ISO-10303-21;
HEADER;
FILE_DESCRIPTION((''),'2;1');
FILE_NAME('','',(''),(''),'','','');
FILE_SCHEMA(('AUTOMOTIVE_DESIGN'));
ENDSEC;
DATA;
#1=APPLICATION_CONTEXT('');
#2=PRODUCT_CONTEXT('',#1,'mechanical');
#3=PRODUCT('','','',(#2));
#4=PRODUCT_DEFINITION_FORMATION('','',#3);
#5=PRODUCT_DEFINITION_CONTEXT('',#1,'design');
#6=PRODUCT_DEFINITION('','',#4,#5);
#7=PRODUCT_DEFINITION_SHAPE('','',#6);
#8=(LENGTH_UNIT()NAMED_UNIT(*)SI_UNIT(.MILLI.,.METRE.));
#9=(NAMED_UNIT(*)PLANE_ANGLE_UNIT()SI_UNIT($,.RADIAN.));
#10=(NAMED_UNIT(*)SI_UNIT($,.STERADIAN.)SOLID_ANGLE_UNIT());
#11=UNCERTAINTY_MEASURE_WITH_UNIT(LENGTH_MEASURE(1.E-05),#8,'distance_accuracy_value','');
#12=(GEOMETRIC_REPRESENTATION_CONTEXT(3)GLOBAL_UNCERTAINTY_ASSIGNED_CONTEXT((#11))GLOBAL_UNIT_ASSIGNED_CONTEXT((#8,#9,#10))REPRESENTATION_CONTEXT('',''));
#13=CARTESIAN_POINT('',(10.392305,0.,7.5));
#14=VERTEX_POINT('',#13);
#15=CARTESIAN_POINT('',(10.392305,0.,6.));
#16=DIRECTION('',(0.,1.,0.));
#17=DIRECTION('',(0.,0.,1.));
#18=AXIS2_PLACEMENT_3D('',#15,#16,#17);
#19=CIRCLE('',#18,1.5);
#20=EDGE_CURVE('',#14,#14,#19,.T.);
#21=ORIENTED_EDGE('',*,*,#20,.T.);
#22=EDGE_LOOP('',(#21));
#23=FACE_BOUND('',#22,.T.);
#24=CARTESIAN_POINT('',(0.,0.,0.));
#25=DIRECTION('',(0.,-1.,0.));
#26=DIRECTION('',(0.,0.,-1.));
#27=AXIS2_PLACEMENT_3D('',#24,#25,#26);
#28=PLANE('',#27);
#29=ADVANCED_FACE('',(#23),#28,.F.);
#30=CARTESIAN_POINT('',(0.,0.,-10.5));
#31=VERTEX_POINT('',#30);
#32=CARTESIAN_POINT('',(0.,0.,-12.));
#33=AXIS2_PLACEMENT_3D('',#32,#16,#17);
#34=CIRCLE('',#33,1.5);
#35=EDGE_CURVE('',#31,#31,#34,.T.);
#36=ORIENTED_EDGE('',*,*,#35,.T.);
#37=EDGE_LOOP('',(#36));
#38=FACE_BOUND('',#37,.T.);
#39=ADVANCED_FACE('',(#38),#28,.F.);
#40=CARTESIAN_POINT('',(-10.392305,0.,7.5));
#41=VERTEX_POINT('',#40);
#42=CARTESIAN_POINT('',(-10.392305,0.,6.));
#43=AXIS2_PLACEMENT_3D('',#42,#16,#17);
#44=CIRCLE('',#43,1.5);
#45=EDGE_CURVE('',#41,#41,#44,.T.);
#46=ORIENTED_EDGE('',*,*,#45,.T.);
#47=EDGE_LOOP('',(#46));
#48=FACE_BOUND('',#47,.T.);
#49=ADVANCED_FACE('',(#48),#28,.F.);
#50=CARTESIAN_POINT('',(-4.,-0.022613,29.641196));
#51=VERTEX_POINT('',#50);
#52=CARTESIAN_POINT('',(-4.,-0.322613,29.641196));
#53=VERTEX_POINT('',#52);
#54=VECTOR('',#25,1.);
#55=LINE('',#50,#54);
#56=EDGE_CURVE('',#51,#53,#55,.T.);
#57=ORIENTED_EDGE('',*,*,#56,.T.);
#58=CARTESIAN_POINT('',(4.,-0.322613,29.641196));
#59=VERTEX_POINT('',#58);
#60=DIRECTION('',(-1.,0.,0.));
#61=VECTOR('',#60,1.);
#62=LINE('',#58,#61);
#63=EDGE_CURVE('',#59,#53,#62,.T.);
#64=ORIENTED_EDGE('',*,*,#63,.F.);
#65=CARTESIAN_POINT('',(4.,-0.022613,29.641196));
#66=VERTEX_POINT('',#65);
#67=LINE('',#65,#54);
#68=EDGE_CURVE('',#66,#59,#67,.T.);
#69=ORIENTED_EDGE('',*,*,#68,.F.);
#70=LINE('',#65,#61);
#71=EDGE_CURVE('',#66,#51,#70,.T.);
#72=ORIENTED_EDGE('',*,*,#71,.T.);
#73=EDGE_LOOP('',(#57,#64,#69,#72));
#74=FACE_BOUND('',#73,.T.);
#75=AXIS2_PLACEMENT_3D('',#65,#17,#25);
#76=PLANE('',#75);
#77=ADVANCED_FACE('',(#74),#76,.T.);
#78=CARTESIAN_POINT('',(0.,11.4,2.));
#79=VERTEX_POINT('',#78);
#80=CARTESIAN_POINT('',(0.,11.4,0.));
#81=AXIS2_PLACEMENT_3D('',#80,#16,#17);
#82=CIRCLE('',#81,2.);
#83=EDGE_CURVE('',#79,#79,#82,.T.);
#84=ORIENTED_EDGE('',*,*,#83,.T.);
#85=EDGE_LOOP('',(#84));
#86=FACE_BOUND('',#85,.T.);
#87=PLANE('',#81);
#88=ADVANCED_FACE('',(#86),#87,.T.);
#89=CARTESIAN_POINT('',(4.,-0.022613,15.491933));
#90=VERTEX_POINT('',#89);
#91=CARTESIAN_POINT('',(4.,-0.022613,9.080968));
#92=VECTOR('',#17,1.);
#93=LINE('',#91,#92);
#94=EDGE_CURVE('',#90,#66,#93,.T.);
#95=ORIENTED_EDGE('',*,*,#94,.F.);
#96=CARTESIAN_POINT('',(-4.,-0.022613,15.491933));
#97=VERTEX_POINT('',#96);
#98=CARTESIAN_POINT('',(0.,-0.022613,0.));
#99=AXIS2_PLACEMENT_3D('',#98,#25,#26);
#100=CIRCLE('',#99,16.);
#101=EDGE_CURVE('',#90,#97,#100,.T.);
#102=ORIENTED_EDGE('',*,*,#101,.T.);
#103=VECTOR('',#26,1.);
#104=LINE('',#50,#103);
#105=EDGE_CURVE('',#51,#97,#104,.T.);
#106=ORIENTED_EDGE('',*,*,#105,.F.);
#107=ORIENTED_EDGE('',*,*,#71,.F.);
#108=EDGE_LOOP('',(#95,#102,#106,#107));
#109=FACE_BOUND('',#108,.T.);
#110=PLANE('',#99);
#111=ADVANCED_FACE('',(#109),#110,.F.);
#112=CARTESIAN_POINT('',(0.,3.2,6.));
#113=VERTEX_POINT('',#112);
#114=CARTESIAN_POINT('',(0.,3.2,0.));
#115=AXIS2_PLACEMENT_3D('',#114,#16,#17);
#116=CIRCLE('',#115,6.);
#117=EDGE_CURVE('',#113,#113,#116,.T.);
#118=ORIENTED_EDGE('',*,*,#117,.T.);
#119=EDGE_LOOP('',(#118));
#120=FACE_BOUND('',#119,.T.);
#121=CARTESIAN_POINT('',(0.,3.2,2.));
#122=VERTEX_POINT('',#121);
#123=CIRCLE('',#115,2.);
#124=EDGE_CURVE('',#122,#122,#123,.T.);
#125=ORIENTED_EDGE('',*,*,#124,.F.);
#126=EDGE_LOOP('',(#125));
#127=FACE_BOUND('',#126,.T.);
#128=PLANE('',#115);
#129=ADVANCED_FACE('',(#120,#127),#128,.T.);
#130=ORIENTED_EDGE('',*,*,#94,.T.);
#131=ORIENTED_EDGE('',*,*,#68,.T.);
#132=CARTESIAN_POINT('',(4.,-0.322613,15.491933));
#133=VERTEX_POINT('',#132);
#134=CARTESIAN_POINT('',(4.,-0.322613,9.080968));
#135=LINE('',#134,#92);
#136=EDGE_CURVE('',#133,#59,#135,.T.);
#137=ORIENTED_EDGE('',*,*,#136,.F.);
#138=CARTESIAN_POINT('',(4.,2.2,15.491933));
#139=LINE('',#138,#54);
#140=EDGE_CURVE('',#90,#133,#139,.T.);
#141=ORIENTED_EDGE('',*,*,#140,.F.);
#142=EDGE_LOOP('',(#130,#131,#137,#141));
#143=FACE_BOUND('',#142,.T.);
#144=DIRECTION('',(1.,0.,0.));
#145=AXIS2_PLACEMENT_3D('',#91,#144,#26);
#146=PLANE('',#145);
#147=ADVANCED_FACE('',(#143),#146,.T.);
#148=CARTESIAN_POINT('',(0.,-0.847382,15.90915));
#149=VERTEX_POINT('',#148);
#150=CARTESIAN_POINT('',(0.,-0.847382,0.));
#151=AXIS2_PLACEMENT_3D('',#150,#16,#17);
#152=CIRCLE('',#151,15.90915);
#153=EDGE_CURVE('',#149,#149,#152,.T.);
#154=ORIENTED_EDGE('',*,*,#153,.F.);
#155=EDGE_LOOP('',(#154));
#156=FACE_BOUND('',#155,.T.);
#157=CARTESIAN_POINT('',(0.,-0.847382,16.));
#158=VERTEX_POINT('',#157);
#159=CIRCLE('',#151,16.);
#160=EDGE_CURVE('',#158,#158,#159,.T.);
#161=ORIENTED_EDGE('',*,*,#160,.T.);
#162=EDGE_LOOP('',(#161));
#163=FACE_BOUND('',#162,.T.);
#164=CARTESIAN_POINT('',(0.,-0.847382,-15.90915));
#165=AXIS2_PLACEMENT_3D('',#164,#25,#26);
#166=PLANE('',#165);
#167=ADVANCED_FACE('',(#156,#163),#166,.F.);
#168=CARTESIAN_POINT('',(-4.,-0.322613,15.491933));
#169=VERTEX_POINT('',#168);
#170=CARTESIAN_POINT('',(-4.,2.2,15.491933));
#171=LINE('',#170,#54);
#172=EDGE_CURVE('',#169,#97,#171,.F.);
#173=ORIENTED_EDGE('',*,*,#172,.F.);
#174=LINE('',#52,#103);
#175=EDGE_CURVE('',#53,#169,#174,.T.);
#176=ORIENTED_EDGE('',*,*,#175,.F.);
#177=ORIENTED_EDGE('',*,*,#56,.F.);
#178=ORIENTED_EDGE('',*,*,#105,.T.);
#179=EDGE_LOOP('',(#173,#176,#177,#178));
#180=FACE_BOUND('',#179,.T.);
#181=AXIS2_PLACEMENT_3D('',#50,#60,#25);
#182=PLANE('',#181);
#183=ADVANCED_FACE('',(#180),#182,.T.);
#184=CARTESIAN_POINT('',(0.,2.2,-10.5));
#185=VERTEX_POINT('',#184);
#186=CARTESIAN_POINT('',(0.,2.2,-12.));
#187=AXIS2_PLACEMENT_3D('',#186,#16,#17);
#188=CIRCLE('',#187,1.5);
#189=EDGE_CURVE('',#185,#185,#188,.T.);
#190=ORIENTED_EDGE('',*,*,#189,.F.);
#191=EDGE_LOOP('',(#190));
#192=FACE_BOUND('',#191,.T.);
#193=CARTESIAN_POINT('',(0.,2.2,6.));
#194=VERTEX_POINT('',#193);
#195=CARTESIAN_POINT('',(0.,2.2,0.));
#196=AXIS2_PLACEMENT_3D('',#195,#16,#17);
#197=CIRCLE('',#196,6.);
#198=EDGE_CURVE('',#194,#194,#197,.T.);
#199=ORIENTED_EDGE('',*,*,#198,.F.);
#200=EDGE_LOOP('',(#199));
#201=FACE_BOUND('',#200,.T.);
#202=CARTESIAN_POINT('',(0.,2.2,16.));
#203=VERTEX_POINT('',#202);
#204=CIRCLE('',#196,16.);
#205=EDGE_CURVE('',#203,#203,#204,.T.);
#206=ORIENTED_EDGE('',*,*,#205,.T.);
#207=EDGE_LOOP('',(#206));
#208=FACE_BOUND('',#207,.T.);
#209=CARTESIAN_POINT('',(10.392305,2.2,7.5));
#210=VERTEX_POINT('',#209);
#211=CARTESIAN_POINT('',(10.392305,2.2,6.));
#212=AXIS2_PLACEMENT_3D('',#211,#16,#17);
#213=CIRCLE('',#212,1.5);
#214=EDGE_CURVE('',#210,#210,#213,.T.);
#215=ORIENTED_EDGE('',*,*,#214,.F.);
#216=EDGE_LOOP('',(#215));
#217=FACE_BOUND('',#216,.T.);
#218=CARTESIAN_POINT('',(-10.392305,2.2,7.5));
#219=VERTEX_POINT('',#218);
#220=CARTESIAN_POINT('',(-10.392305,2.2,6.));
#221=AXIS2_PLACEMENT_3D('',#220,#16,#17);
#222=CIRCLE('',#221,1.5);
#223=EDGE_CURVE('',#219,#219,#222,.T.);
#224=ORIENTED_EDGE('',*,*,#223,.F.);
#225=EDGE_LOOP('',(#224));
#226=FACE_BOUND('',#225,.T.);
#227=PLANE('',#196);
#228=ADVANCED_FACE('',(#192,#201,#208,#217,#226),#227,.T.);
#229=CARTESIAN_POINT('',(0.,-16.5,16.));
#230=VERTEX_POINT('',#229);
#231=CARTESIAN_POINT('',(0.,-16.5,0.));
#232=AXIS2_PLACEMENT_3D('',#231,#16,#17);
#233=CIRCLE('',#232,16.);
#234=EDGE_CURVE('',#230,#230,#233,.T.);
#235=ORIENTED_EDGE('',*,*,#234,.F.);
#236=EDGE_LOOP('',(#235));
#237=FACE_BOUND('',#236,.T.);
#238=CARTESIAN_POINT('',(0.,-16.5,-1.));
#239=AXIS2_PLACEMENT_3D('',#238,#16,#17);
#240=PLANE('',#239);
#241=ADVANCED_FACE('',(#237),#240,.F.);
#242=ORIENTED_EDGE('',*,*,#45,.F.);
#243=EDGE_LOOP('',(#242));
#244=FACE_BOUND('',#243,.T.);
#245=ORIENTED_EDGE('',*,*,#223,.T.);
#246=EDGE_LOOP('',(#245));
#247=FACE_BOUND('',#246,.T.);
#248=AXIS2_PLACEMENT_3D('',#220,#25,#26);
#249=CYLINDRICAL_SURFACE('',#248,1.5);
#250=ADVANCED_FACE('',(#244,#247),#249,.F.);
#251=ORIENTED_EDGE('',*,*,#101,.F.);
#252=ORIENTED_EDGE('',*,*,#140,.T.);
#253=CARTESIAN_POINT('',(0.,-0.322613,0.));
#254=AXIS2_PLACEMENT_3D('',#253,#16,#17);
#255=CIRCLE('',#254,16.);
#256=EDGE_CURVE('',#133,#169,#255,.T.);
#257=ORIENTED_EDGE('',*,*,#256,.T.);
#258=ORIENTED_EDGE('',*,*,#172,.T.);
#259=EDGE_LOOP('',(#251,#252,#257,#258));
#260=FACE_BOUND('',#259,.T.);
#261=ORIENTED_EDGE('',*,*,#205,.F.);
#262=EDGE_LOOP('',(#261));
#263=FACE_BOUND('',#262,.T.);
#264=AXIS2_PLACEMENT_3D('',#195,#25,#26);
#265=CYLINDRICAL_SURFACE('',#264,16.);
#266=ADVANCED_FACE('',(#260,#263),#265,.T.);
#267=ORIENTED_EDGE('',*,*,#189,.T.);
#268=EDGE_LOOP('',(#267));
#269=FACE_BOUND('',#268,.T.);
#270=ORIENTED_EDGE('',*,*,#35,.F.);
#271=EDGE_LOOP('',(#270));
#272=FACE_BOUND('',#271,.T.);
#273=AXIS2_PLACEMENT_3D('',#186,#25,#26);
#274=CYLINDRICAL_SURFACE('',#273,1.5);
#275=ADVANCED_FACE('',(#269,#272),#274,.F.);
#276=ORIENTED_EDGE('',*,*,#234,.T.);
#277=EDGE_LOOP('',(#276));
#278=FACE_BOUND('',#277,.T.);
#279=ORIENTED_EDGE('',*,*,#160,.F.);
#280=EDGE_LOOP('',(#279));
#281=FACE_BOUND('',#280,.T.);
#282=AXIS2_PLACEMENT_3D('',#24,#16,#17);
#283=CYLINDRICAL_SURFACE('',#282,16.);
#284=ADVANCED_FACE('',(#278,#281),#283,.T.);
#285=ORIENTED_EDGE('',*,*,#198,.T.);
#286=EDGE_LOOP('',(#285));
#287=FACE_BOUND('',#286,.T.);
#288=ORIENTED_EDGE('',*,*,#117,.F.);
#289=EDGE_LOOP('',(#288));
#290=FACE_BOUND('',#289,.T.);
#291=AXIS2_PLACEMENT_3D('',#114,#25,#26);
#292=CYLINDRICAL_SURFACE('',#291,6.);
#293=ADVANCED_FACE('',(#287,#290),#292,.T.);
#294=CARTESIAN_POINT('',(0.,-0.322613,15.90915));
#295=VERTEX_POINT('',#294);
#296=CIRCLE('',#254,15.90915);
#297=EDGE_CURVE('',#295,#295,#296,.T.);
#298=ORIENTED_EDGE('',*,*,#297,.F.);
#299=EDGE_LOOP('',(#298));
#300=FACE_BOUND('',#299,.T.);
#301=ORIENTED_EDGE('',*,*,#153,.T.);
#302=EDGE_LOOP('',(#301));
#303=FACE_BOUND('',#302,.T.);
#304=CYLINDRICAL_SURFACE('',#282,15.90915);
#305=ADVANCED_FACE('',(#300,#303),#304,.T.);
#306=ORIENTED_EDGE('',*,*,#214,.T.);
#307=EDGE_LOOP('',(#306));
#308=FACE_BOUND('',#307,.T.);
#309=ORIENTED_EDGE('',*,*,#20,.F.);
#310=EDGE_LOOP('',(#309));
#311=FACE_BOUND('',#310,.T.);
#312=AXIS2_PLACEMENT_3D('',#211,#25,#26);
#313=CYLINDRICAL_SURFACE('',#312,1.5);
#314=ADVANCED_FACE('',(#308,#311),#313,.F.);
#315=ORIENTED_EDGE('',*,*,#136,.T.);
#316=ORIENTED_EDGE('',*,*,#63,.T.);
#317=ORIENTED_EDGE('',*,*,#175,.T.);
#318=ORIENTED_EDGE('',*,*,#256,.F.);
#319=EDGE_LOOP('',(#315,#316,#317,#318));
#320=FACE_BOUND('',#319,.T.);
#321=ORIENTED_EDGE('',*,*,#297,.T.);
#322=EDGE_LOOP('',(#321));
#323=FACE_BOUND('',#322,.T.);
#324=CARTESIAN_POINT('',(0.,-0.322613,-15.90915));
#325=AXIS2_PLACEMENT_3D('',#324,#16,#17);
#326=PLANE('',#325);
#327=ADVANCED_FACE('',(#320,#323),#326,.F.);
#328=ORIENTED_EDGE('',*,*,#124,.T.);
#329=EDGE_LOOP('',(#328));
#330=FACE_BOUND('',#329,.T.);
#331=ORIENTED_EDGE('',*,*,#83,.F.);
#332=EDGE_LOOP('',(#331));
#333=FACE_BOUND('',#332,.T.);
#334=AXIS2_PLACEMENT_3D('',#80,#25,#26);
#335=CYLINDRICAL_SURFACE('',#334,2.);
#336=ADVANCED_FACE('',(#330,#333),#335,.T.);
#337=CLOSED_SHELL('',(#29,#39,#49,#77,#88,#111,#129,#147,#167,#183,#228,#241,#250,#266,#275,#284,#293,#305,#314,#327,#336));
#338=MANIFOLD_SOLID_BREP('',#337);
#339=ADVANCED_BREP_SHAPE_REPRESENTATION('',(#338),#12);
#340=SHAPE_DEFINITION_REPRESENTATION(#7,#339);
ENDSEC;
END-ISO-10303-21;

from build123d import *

# Parameters (mm, degrees)
CROQUIS1_R              = 16
CROQUIS1_R_2            = 1.5
CROQUIS1_R_3            = 6
SALIENTE_EXTRUIR1_DEPTH = 2.2
CROQUIS1_3_R            = 6
CROQUIS1_3_R_2          = 2
SALIENTE_EXTRUIR2_DEPTH = 3.2
CROQUIS1_4_R            = 2
SALIENTE_EXTRUIR3_DEPTH = 11.4
CROQUIS5_W              = 8
CROQUIS5_H              = 20.560227787
SALIENTE_EXTRUIR4_DEPTH = 0.3


with BuildPart() as part:
    # Croquis1 → Saliente-Extruir1 (new body)
    with BuildSketch(Plane(origin=(0, 0, 0), x_dir=(1, 0, 0), z_dir=(0, 1, 0))):
        Circle(CROQUIS1_R)
        with Locations((0, 12)):
            Circle(CROQUIS1_R_2, mode=Mode.SUBTRACT)
        with Locations((-10.392304845, -6)):
            Circle(CROQUIS1_R_2, mode=Mode.SUBTRACT)
        with Locations((10.392304845, -6)):
            Circle(CROQUIS1_R_2, mode=Mode.SUBTRACT)
        Circle(CROQUIS1_R_3, mode=Mode.SUBTRACT)
    extrude(amount=SALIENTE_EXTRUIR1_DEPTH)



with BuildPart() as body_2:
    # Croquis1<3> → Saliente-Extruir2 (new body)
    with BuildSketch(Plane(origin=(0, 0, 0), x_dir=(1, 0, 0), z_dir=(0, 1, 0))):
        Circle(CROQUIS1_3_R)
        Circle(CROQUIS1_3_R_2, mode=Mode.SUBTRACT)
    extrude(amount=SALIENTE_EXTRUIR2_DEPTH)


with BuildPart() as part_1:
    add(part.part)

    add(body_2.part)  # Saliente-Extruir3 merges body 2
    # Croquis1<4> → Saliente-Extruir3 (add)
    with BuildSketch(Plane(origin=(0, 0, 0), x_dir=(1, 0, 0), z_dir=(0, 1, 0))):
        Circle(CROQUIS1_4_R)
    extrude(amount=SALIENTE_EXTRUIR3_DEPTH)

    # Croquis4 → Revolución1 (revolve)
    with BuildSketch(Plane(origin=(0, 0, 0), x_dir=(0, 0, -1), z_dir=(1, 0, 0))):
        Polygon((15.909149683, -0.847381969), (15.909149683, -0.322612836), (16, -0.322612836), (16, 0), (0, 0), (0, -16.5), (1, -16.5), (1.1, -16.5), (16, -16.5), (16, -0.847381969), align=None)
    revolve(axis=Axis((0, 0, 0), (0, -1, 0)))

    # Croquis5 → Saliente-Extruir4 (add)
    with BuildSketch(Plane(origin=(0, -0.322612836, 0), x_dir=(-1, 0, 0), z_dir=(0, -1, 0))):
        with Locations((0, -19.361082391)):
            Rectangle(CROQUIS5_W, CROQUIS5_H)
    extrude(amount=-SALIENTE_EXTRUIR4_DEPTH)


solid = part_1.part
